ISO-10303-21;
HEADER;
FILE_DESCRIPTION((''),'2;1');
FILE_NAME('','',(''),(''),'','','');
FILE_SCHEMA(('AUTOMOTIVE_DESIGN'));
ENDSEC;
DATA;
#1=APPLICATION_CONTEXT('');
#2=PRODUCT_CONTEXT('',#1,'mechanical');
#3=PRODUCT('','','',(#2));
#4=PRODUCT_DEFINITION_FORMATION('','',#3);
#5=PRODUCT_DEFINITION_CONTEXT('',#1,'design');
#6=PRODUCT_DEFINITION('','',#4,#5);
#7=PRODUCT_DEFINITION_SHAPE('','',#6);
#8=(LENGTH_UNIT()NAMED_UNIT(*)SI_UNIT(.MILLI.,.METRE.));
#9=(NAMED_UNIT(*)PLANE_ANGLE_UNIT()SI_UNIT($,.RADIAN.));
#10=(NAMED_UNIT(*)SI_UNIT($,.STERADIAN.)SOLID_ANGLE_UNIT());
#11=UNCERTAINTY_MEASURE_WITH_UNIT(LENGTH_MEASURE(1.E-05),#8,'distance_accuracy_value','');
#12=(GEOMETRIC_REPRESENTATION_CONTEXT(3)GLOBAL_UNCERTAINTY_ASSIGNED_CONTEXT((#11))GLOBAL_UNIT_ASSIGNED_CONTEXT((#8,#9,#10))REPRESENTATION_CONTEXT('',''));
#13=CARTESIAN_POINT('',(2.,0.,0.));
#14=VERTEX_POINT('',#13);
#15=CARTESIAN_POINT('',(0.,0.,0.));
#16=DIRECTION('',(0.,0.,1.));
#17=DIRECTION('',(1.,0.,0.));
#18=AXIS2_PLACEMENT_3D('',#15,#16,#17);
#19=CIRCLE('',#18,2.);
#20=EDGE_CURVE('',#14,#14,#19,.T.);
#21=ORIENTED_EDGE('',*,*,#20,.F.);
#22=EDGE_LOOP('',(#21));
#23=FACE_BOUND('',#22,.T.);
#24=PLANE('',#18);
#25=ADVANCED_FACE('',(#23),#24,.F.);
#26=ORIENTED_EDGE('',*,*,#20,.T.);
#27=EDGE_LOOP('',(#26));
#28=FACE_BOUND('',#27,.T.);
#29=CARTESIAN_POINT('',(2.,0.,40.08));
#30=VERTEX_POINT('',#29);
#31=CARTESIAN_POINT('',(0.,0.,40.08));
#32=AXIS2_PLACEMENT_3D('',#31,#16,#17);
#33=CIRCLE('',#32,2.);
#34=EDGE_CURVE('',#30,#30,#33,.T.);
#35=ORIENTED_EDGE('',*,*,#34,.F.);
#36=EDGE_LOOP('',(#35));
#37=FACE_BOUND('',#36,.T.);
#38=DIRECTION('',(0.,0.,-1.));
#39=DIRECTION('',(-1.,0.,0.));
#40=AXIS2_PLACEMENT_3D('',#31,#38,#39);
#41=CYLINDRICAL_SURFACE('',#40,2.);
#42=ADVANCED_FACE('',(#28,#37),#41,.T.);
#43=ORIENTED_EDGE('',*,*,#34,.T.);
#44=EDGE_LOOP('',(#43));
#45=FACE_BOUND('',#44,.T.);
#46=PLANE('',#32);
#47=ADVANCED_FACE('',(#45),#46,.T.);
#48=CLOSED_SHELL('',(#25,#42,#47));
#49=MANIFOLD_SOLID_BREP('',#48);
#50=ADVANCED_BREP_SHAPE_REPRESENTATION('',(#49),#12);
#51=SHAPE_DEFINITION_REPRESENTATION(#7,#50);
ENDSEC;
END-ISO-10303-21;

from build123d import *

# Parameters (mm, degrees)
SKETCH_1_R                        = 2
DRIVER_POWER_CABLE_ENVELOPE_DEPTH = 40.08


with BuildPart() as part:
    # 草图1 → Driver_power_cable_envelope (new body)
    with BuildSketch(Plane.XY):
        Circle(SKETCH_1_R)
    extrude(amount=DRIVER_POWER_CABLE_ENVELOPE_DEPTH)


solid = part.part
